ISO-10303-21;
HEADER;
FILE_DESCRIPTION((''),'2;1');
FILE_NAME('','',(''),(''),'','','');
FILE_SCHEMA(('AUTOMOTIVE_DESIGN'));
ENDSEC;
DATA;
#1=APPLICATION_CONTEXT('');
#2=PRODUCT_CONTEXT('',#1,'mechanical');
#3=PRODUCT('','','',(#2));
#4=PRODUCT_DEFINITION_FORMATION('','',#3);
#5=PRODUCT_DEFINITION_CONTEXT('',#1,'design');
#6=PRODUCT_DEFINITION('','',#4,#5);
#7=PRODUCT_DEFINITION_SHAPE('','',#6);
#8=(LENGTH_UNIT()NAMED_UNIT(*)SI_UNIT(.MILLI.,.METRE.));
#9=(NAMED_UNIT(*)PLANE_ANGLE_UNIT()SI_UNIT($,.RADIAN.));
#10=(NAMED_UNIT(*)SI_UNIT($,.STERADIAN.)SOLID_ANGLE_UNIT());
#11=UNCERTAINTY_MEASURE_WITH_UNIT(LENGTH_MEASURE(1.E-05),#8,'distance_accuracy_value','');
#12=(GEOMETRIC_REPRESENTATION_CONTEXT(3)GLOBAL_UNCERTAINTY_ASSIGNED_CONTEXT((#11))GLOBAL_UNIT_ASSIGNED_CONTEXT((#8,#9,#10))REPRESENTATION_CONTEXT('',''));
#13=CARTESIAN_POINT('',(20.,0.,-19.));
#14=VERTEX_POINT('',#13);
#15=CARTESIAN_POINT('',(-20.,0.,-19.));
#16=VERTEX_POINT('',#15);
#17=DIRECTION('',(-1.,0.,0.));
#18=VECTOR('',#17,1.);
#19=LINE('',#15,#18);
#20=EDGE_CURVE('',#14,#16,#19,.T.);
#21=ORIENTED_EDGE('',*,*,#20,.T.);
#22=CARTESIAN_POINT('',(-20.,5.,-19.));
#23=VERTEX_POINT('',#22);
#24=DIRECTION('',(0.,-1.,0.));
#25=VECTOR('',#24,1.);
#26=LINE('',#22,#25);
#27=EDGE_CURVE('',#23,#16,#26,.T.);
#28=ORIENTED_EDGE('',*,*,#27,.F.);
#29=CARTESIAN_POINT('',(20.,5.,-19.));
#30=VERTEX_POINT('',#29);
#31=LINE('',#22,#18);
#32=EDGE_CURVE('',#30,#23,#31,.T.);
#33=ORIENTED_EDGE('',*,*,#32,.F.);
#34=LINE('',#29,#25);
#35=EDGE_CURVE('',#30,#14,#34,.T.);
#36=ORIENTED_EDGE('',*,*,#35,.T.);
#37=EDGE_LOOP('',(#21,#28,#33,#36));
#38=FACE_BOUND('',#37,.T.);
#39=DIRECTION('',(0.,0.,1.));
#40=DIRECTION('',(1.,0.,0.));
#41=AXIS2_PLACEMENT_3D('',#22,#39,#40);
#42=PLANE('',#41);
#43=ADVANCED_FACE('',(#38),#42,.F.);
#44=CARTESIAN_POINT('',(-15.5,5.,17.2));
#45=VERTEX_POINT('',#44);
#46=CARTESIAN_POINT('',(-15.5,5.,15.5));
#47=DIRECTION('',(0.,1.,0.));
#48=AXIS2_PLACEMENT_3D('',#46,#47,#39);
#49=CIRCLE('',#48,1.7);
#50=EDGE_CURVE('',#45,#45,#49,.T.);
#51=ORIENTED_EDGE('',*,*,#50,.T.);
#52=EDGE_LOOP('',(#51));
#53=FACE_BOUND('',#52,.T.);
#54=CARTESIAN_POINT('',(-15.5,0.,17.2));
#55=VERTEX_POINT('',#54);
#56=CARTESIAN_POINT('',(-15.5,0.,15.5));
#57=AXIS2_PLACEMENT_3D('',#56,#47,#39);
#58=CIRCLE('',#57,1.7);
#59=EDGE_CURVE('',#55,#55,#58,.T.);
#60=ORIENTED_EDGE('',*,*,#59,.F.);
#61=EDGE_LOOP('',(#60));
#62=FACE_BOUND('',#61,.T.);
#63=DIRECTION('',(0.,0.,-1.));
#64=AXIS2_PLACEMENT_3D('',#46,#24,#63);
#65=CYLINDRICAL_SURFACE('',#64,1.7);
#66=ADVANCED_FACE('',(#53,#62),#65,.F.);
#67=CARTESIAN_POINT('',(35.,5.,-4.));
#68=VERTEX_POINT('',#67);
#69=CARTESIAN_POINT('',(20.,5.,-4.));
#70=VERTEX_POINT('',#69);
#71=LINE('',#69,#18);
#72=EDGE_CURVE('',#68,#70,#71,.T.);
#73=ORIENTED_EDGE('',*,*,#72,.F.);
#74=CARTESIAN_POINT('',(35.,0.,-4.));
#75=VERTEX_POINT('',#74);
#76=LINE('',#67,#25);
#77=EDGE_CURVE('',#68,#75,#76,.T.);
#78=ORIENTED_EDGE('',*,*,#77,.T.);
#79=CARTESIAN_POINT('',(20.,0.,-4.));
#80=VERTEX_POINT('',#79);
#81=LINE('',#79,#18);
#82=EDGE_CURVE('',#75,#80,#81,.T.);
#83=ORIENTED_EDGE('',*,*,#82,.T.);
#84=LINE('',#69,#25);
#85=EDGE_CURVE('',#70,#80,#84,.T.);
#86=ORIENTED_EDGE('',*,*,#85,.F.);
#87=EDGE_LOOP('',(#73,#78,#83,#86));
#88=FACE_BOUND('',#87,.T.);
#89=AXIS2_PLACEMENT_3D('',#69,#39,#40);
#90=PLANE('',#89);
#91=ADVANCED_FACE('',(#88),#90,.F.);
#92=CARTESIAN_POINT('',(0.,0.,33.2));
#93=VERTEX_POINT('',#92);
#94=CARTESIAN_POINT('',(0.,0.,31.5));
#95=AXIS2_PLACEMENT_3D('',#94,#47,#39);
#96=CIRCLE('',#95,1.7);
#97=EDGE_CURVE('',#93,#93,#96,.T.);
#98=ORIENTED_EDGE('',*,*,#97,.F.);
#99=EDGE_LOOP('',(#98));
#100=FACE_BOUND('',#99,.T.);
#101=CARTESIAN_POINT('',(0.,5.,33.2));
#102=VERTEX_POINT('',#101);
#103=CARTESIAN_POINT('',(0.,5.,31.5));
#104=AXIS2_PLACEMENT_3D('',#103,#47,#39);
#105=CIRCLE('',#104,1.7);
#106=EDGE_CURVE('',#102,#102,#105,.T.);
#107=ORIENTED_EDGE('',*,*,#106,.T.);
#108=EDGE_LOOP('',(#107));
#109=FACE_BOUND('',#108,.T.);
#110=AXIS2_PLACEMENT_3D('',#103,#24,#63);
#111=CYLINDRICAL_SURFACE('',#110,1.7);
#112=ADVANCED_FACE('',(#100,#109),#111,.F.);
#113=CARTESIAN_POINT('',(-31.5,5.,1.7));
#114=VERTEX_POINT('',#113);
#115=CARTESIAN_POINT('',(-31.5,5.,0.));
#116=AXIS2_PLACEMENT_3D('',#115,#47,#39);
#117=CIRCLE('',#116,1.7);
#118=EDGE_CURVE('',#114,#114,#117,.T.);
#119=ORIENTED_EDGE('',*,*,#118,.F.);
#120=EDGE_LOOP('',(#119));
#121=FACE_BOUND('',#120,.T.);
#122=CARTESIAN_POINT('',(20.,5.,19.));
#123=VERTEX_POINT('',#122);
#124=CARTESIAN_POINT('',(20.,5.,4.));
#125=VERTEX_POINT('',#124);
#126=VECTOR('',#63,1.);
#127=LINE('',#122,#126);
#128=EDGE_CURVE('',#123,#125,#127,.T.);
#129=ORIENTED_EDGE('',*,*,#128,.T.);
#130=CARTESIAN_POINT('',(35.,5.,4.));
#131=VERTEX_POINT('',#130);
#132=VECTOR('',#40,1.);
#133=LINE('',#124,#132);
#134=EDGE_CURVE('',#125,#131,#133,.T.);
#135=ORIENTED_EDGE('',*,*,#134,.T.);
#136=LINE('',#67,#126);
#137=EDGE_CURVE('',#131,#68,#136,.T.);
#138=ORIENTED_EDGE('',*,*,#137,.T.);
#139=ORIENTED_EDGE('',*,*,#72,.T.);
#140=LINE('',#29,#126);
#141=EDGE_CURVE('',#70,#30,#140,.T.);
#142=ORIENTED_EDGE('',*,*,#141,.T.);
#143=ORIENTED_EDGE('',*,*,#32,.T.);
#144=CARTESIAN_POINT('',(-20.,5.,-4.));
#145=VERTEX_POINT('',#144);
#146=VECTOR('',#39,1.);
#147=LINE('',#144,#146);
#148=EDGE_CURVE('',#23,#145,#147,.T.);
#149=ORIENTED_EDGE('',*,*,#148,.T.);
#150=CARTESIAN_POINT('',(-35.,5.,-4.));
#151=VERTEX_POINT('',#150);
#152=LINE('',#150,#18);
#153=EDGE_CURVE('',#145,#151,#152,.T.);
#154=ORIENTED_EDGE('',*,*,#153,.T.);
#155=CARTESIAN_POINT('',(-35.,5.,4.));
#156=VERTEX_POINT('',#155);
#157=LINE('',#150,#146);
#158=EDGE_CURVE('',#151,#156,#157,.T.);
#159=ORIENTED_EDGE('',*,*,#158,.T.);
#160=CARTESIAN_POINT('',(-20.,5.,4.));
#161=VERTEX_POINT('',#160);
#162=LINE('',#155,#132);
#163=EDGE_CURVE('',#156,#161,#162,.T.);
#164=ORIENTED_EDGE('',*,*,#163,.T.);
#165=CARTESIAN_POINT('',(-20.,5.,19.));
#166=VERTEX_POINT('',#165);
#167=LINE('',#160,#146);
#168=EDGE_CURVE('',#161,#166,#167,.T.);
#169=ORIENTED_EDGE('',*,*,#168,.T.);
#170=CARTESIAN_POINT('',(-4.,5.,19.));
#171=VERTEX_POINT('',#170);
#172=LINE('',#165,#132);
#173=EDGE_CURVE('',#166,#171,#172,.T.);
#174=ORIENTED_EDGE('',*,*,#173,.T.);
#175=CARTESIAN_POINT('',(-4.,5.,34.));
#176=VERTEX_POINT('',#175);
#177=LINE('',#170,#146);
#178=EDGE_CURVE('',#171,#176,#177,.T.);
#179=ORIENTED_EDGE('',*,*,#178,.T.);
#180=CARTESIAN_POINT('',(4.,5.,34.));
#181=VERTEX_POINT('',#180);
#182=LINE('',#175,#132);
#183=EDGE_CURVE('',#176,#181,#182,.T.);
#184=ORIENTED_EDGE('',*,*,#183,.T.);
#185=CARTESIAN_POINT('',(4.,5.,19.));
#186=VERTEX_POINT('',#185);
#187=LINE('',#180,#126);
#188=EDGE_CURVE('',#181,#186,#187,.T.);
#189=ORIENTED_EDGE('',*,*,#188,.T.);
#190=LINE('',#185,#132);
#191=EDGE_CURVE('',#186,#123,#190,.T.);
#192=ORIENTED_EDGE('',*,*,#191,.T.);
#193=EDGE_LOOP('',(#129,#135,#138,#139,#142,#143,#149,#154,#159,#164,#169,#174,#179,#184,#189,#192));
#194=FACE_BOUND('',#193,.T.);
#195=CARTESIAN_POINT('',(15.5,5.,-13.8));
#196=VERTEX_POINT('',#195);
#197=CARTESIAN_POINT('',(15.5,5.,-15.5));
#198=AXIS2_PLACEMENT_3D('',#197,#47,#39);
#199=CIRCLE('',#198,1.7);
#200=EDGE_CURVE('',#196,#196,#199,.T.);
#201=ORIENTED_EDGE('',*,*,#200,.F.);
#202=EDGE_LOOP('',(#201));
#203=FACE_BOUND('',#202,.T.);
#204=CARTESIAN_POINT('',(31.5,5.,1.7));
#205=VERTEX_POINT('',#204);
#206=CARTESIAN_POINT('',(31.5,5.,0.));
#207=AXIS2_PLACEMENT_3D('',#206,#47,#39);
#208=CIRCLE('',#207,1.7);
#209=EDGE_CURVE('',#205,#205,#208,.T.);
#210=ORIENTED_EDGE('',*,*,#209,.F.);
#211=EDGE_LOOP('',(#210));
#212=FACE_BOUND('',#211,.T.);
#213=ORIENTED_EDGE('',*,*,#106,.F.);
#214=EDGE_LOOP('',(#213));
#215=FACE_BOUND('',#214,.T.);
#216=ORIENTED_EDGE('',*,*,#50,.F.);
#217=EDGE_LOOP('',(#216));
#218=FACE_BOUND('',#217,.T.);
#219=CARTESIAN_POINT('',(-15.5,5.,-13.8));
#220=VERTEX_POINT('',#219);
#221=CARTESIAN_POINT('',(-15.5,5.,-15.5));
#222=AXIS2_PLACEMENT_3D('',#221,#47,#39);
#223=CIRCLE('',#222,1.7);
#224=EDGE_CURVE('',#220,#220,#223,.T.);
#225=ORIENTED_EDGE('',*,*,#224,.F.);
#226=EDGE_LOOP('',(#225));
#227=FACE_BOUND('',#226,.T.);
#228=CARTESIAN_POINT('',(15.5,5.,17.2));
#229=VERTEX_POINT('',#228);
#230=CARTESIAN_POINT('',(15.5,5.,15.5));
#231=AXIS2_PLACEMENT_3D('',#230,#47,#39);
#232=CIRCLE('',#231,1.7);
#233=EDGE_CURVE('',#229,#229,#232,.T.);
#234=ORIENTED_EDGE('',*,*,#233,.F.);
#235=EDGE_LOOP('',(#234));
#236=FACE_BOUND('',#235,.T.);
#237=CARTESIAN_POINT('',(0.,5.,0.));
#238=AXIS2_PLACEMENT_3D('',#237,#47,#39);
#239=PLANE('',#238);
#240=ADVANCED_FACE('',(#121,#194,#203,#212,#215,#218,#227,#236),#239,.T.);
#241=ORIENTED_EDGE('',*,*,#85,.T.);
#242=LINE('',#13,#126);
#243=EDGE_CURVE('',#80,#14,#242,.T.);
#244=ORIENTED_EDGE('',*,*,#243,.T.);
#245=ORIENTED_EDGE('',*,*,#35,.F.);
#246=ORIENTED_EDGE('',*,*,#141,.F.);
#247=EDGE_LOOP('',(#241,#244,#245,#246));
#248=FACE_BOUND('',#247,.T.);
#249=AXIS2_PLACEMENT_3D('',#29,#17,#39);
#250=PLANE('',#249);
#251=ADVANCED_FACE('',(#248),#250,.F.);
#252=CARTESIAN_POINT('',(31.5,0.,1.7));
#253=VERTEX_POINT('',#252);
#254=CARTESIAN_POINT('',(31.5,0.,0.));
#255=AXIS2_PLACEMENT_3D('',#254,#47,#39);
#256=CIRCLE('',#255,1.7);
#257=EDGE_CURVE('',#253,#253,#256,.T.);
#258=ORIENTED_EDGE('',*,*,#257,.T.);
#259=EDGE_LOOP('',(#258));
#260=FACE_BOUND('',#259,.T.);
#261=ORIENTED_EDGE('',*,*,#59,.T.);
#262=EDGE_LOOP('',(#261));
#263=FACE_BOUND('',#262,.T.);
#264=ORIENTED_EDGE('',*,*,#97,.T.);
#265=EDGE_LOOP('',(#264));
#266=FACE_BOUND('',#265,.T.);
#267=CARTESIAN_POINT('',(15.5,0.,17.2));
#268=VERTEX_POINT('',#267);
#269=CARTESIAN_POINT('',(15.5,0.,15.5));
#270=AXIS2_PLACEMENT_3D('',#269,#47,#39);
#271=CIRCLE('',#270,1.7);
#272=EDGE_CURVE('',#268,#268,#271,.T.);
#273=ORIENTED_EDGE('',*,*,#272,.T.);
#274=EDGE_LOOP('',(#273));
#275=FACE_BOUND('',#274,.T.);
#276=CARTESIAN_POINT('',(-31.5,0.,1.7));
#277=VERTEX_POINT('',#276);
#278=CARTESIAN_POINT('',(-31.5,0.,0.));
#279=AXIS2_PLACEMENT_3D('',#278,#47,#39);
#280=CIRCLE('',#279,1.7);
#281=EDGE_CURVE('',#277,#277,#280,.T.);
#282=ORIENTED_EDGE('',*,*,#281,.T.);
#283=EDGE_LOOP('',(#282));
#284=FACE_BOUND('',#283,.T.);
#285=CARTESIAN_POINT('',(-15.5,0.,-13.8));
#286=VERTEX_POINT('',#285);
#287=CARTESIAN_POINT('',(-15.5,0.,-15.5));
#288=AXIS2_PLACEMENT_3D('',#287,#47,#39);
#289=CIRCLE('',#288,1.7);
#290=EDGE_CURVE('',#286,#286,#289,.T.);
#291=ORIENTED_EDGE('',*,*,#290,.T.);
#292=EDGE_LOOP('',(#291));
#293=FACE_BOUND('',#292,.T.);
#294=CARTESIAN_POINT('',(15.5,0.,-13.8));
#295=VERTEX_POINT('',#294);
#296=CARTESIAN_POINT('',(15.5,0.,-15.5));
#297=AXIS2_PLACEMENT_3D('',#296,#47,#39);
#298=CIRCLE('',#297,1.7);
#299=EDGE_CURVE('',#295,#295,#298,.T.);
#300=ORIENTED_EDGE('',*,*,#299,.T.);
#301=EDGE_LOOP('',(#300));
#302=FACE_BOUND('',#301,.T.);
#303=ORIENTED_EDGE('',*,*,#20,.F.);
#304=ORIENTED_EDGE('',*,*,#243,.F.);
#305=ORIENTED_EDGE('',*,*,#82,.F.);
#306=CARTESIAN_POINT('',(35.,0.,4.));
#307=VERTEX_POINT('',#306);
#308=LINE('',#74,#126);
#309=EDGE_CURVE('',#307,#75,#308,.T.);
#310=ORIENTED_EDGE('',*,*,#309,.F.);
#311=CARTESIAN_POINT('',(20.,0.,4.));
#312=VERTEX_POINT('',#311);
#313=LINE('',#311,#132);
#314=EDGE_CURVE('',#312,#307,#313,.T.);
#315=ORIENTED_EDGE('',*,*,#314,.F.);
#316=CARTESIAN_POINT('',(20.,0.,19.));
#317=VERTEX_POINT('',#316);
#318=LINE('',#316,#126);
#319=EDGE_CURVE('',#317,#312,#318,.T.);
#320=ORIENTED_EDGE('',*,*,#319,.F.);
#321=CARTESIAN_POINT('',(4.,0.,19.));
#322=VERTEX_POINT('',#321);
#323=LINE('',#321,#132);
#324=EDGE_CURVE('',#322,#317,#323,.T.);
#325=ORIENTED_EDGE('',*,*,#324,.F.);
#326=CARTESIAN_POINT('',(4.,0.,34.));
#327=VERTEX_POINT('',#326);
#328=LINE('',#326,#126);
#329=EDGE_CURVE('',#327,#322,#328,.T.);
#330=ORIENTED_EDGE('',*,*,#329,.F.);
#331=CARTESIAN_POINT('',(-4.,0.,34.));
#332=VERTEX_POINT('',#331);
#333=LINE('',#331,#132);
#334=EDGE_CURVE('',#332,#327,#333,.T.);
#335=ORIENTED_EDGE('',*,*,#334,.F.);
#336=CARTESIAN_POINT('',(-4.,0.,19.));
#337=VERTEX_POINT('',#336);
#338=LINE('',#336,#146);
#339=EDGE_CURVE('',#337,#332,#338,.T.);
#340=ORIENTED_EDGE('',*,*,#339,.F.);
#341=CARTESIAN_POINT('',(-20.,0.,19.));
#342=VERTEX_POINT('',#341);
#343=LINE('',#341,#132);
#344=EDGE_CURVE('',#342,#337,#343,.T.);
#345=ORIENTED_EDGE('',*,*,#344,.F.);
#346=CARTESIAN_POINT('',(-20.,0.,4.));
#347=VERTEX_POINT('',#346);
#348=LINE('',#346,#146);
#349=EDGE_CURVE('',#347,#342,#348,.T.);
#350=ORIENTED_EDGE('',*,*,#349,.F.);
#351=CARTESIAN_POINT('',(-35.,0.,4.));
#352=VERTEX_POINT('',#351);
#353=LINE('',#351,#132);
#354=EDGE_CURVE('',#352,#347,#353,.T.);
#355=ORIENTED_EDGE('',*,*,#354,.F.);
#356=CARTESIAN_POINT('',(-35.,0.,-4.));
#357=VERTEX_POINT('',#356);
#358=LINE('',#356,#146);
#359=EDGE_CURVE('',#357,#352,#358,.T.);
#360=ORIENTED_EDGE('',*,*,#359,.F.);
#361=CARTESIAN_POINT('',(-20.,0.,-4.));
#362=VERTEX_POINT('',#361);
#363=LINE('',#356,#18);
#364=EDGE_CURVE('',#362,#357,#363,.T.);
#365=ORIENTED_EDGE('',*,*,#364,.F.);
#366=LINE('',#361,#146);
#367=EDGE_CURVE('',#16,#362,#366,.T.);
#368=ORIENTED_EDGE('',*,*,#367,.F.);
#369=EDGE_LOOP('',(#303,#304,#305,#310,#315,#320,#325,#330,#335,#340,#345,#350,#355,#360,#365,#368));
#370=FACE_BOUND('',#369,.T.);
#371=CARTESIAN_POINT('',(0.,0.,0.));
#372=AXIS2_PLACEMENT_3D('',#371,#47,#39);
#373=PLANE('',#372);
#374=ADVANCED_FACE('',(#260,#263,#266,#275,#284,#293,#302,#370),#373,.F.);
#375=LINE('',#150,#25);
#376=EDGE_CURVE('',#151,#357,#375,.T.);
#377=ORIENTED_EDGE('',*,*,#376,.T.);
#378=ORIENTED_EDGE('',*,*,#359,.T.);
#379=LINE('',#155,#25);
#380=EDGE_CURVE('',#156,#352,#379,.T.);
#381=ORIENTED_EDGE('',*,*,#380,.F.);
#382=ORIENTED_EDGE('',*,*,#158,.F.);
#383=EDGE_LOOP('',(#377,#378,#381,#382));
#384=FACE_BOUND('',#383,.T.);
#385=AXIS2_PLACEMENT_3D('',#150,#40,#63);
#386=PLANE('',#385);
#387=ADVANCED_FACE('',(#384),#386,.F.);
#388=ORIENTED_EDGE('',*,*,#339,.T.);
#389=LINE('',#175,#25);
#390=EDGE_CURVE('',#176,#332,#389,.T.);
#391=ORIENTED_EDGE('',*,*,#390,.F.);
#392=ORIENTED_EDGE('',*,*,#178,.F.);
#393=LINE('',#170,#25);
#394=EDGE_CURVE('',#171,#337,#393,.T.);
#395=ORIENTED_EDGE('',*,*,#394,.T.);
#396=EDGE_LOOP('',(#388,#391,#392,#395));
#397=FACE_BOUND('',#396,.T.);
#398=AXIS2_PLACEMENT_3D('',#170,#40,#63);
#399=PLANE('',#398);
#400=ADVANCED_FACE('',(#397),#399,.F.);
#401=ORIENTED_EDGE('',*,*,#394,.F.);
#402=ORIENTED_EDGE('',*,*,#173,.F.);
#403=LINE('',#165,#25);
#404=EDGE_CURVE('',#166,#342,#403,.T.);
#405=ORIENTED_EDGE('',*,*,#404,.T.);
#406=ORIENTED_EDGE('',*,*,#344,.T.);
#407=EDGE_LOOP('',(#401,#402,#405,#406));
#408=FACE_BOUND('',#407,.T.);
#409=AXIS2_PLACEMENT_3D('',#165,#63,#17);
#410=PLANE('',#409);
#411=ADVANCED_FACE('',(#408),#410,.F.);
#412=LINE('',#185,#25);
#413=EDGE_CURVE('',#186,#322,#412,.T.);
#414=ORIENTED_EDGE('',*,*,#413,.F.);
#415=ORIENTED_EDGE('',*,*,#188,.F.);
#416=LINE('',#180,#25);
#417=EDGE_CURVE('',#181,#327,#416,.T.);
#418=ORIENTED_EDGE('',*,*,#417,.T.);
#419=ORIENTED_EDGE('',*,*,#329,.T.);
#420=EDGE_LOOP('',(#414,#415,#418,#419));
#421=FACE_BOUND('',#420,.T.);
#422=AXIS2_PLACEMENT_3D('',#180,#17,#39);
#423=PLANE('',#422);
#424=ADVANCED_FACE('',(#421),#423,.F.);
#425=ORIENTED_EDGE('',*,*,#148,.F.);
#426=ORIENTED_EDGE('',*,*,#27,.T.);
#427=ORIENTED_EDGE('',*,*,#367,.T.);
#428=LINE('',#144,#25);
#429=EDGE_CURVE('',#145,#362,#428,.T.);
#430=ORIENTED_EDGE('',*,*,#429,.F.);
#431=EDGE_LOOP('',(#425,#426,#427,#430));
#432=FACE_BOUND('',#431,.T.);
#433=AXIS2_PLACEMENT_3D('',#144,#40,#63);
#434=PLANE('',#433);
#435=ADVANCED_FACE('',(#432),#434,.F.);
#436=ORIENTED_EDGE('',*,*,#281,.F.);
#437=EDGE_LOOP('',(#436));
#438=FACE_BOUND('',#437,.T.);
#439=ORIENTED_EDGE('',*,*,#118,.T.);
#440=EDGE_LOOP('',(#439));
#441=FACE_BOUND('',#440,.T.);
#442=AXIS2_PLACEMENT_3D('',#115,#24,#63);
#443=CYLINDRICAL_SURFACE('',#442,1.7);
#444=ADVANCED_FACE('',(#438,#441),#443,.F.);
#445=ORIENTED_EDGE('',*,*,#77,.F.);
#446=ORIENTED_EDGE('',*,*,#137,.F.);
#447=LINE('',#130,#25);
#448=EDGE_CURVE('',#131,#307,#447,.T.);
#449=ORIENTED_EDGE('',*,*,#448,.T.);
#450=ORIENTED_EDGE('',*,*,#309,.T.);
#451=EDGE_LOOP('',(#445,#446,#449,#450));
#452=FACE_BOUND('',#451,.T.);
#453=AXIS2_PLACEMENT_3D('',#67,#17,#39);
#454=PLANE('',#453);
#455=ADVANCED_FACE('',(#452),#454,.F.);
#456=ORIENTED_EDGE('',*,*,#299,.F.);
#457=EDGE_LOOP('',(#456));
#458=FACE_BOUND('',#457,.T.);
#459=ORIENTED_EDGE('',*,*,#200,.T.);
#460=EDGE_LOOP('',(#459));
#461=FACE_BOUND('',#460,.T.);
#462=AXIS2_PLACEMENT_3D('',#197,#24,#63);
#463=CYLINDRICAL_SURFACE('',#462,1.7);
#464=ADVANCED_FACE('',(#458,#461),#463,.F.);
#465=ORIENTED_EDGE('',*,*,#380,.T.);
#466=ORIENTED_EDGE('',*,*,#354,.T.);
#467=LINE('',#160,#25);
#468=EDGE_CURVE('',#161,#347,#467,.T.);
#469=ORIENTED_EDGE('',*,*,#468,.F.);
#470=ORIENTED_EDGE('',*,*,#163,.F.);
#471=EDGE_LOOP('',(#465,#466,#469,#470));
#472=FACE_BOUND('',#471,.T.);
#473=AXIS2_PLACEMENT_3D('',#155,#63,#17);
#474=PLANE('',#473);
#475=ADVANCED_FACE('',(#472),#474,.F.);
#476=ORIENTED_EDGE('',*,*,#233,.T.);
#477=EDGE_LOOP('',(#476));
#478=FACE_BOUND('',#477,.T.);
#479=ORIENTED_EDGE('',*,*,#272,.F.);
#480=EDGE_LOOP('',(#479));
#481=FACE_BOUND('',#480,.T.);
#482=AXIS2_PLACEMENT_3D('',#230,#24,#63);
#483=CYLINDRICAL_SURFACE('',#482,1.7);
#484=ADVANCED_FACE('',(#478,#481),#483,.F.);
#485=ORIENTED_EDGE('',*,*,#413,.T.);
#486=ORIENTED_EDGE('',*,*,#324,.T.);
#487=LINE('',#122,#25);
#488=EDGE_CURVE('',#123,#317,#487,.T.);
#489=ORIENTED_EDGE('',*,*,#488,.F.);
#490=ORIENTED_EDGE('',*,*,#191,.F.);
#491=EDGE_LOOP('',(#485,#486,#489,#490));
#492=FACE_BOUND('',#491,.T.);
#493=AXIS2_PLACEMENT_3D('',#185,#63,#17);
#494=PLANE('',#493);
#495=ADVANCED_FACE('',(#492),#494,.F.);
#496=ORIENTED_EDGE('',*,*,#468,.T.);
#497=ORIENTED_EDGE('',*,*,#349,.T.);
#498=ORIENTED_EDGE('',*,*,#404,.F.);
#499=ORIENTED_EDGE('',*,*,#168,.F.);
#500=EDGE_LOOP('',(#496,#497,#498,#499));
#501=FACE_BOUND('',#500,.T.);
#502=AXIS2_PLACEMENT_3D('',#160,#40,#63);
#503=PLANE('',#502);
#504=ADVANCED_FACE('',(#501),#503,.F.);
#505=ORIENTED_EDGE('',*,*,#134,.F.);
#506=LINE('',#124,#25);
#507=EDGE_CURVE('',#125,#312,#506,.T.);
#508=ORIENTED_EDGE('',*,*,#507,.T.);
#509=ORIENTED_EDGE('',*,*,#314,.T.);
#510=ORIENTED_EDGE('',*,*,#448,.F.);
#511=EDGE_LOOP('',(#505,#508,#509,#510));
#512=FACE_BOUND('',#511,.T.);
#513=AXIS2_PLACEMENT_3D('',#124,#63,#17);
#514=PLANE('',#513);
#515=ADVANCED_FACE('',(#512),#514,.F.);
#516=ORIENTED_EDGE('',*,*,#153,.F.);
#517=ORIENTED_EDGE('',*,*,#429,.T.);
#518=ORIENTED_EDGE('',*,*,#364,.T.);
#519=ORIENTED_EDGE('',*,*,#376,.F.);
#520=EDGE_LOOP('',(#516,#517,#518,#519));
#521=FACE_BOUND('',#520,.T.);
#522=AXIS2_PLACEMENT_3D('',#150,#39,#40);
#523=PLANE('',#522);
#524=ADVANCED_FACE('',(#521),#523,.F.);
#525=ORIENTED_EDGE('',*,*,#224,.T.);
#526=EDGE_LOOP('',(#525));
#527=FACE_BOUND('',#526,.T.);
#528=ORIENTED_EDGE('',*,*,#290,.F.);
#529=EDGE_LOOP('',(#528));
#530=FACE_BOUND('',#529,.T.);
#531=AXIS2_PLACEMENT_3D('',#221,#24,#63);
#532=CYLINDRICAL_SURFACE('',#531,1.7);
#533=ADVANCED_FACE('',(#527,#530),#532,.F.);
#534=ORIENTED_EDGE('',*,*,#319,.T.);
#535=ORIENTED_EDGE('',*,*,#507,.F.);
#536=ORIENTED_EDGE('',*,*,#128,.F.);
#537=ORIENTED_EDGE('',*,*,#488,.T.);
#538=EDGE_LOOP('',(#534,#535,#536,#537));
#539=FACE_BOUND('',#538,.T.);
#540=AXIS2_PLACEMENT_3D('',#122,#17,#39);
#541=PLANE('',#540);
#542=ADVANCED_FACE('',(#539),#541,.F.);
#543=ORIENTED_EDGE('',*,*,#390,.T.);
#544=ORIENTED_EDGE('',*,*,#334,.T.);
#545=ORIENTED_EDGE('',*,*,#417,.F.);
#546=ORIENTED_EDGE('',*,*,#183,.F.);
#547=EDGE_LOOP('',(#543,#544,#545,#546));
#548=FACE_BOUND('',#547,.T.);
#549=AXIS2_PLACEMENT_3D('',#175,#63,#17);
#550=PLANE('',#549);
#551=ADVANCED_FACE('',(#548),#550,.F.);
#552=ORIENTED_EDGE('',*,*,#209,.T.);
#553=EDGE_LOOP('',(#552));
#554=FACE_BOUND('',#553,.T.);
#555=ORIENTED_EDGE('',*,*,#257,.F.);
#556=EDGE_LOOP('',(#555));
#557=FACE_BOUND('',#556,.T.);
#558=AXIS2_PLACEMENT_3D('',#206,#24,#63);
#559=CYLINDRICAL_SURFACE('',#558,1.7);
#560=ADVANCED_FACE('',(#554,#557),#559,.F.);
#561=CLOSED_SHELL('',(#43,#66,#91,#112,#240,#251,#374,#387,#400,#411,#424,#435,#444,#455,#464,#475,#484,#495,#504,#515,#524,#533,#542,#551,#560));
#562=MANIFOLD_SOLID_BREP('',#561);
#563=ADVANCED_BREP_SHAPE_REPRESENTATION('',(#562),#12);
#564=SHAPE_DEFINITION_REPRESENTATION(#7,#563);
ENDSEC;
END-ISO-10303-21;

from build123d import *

# Parameters (mm, degrees)
CROQUIS1_R              = 1.7
SALIENTE_EXTRUIR1_DEPTH = 5


with BuildPart() as part:
    # Croquis1 → Saliente-Extruir1 (new body)
    with BuildSketch(Plane(origin=(0, 0, 0), x_dir=(1, 0, 0), z_dir=(0, 1, 0))):
        Polygon((-35, 4), (-20, 4), (-20, 19), (20, 19), (20, 4), (35, 4), (35, -4), (20, -4), (20, -19), (4, -19), (4, -34), (-4, -34), (-4, -19), (-20, -19), (-20, -4), (-35, -4), align=None)
        with Locations((-15.5, 15.5)):
            Circle(CROQUIS1_R, mode=Mode.SUBTRACT)
        with Locations((15.5, 15.5)):
            Circle(CROQUIS1_R, mode=Mode.SUBTRACT)
        with Locations((15.5, -15.5)):
            Circle(CROQUIS1_R, mode=Mode.SUBTRACT)
        with Locations((-15.5, -15.5)):
            Circle(CROQUIS1_R, mode=Mode.SUBTRACT)
        with Locations((-31.5, 0)):
            Circle(CROQUIS1_R, mode=Mode.SUBTRACT)
        with Locations((0, -31.5)):
            Circle(CROQUIS1_R, mode=Mode.SUBTRACT)
        with Locations((31.5, 0)):
            Circle(CROQUIS1_R, mode=Mode.SUBTRACT)
    extrude(amount=SALIENTE_EXTRUIR1_DEPTH)


solid = part.part
